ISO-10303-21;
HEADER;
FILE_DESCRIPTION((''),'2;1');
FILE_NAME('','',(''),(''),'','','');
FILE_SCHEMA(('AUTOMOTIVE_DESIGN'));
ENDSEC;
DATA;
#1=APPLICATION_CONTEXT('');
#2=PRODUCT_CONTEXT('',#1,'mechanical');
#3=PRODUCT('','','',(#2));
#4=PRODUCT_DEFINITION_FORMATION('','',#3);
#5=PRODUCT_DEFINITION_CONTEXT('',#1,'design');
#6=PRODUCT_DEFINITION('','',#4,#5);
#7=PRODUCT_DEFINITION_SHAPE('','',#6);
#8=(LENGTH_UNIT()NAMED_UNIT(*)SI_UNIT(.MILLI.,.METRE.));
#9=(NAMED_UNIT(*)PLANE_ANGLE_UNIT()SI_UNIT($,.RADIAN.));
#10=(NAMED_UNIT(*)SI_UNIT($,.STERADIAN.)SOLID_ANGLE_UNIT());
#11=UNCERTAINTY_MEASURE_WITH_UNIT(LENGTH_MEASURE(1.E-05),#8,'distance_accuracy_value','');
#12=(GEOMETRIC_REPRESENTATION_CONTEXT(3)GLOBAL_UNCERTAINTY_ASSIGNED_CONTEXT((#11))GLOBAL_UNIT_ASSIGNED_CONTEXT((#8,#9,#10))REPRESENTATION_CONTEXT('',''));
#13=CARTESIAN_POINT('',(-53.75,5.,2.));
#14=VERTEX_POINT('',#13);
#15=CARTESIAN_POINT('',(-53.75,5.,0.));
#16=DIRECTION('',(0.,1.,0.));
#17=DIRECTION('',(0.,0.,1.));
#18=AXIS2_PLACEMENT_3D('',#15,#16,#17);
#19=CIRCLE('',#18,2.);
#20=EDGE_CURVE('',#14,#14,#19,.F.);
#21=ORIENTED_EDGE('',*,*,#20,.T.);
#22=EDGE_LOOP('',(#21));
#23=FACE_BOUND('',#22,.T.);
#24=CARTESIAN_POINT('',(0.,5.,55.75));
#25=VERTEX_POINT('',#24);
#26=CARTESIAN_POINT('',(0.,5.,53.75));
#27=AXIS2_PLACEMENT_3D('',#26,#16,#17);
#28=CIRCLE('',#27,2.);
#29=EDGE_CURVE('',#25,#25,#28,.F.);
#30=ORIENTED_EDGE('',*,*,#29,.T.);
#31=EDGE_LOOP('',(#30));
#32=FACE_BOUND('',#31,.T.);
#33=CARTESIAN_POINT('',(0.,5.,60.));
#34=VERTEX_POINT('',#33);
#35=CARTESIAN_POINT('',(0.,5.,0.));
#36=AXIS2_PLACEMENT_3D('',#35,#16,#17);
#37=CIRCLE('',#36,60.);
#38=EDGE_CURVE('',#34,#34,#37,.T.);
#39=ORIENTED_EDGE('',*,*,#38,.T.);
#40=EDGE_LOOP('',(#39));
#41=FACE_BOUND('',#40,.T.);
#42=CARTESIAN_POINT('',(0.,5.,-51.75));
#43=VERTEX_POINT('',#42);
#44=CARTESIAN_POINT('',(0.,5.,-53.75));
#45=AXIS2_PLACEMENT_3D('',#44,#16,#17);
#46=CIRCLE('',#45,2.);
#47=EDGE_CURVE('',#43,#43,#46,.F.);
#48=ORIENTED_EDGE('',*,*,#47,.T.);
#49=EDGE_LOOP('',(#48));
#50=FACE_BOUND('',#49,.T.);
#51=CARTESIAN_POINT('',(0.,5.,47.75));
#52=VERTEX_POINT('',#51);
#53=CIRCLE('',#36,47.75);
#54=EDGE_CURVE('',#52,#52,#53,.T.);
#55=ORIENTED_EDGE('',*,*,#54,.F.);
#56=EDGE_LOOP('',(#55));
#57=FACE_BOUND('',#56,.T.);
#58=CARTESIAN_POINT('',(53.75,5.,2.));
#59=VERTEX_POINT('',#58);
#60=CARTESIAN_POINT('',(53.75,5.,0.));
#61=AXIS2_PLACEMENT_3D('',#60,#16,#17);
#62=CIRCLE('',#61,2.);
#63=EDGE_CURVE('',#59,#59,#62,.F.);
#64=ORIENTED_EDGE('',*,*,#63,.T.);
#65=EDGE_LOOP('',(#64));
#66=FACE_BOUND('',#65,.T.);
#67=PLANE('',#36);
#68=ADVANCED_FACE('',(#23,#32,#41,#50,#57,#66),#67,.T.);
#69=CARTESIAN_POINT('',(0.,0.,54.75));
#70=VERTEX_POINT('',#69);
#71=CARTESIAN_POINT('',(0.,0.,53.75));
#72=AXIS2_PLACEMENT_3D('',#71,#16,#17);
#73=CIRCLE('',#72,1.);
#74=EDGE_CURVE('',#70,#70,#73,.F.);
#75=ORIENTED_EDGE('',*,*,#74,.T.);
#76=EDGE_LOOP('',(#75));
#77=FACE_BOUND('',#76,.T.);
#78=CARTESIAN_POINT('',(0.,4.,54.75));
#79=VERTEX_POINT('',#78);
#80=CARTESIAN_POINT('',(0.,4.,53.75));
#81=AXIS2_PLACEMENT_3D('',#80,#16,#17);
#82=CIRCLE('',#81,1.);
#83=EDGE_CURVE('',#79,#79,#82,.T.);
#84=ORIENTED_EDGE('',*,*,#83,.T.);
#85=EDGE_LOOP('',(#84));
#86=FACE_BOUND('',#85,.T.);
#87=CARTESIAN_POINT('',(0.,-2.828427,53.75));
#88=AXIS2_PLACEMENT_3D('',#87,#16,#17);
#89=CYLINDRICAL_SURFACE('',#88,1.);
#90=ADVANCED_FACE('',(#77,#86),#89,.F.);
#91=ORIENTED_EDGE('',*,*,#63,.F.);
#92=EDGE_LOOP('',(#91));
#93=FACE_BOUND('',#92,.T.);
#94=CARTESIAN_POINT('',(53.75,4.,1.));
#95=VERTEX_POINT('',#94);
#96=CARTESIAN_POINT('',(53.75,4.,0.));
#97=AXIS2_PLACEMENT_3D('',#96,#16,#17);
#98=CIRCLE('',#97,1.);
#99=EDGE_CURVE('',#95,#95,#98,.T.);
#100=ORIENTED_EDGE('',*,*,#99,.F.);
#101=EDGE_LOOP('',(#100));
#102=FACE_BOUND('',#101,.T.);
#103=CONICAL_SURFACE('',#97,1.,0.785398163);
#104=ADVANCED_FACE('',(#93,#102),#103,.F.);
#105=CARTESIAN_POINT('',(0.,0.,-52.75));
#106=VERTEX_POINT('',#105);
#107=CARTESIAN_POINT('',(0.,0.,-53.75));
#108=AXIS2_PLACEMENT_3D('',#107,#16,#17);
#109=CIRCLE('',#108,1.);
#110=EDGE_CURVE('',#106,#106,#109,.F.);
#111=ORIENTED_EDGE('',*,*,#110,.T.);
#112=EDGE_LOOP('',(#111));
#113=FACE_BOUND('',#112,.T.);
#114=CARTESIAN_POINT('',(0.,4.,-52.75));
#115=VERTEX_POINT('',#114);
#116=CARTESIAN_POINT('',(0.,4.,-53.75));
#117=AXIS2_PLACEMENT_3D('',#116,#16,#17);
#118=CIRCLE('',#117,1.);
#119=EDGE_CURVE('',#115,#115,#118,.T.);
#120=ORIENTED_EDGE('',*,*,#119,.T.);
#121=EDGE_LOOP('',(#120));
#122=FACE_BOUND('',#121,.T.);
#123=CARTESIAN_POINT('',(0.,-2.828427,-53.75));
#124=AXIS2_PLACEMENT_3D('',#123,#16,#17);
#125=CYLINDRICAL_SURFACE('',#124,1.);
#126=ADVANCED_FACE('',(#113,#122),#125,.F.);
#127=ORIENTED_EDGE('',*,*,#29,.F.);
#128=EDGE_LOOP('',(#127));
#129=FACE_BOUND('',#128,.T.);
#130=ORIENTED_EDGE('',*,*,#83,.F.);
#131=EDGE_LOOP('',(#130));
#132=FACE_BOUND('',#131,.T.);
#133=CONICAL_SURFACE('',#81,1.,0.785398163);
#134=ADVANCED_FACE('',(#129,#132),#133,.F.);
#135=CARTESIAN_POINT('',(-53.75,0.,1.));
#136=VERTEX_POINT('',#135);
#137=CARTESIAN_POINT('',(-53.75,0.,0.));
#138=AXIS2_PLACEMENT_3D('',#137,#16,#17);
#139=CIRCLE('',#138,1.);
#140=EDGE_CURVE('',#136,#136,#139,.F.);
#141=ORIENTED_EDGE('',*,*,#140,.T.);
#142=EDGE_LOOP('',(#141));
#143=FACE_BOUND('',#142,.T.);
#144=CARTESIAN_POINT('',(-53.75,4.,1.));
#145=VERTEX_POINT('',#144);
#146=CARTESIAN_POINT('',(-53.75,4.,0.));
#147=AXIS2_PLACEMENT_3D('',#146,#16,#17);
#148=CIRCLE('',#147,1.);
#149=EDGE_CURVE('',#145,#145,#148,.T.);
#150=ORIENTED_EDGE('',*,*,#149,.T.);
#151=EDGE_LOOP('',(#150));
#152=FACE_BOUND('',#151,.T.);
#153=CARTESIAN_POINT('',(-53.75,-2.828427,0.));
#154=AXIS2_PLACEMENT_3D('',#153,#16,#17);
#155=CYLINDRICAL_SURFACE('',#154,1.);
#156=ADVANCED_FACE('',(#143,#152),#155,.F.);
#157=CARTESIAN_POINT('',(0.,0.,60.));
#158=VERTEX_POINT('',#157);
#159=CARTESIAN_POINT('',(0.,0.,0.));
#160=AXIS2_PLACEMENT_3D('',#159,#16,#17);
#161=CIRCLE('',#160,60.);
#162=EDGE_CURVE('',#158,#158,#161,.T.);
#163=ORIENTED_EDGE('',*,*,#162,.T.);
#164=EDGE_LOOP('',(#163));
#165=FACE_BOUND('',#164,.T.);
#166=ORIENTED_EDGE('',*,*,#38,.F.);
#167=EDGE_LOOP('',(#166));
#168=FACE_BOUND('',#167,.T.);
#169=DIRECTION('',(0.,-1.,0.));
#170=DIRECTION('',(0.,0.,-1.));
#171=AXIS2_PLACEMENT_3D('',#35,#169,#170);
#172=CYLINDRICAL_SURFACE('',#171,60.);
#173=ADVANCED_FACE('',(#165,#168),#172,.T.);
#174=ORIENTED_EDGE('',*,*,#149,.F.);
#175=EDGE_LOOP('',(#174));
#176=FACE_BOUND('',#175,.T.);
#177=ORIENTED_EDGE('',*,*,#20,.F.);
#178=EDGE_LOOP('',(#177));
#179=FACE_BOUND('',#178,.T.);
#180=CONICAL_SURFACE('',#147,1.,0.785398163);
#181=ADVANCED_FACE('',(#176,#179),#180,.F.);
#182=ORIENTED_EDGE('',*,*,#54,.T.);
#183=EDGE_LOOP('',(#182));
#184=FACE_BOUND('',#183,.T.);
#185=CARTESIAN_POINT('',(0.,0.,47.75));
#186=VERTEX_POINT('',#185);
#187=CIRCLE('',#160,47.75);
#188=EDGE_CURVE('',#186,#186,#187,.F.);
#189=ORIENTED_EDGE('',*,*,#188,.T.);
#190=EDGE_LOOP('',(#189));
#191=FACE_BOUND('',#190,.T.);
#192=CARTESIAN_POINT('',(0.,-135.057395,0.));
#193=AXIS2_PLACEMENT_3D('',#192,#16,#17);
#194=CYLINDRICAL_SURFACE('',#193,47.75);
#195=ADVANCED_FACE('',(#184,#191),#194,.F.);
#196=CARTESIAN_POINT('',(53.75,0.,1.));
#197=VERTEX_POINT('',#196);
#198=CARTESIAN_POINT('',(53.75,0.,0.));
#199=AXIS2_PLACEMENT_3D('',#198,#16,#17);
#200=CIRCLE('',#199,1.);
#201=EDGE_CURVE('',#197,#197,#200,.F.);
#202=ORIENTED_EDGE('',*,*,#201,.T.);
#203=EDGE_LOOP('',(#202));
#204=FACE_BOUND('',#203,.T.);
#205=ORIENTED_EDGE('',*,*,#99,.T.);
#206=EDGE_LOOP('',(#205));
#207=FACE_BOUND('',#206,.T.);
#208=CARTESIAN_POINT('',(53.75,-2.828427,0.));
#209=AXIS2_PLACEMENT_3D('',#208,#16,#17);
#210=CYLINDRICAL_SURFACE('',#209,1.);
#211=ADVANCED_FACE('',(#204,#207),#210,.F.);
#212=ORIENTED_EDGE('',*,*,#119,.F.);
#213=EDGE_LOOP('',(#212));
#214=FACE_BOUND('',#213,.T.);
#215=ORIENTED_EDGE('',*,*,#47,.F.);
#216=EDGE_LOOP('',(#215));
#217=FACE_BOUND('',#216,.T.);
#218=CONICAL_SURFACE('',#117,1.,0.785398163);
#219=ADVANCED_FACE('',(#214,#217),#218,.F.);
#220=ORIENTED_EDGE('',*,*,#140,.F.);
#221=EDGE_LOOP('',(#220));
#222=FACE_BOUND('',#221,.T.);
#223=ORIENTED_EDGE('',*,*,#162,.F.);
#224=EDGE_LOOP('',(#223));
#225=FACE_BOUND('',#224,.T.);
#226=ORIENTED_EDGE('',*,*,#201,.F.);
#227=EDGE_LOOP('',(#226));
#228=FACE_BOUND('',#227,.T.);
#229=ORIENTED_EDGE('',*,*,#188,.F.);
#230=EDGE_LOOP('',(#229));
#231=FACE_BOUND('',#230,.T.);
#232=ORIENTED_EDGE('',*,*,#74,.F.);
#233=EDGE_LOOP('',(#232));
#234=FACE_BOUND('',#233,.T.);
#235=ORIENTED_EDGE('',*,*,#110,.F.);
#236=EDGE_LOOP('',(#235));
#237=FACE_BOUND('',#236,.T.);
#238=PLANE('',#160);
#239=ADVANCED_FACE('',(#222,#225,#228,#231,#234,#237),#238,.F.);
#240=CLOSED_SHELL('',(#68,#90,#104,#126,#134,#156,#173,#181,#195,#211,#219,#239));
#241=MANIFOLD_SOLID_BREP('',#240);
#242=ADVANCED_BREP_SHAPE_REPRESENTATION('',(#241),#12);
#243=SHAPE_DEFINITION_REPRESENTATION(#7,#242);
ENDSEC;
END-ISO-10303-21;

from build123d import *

# Parameters (mm, degrees)
SKETCH1_R                    = 60
BOSS_EXTRUDE1_DEPTH          = 5
SKETCH2_R                    = 1
CUT_EXTRUDE1_DEPTH           = 5
CHAMFER1_SIZE                = 1
CIRPATTERN1_COUNT            = 4
CHAMFER1_OF_CIRPATTERN1_SIZE = 1
SKETCH3_R                    = 47.75
CUT_EXTRUDE2_DEPTH           = 5


with BuildPart() as part:
    # Sketch1 → Boss-Extrude1 (new body)
    with BuildSketch(Plane(origin=(0, 0, 0), x_dir=(1, 0, 0), z_dir=(0, 1, 0))):
        with Locations(Location((0, 0, 0), (0, 0, 270))):
            Circle(SKETCH1_R)
    extrude(amount=BOSS_EXTRUDE1_DEPTH)

    # Sketch2 → Cut-Extrude1 (cut)
    with BuildSketch(Plane(origin=(0, 5, 0), x_dir=(1, 0, 0), z_dir=(0, 1, 0))):
        with Locations(Location((0, 53.75, 0), (0, 0, 270))):
            Circle(SKETCH2_R)
    cut_extrude1 = extrude(amount=-CUT_EXTRUDE1_DEPTH, mode=Mode.SUBTRACT)

    # Chamfer1
    chamfer1_edges = [part.edges().sort_by_distance(p)[0] for p in [
        (0, 5, -54.75),
    ]]
    chamfer(chamfer1_edges, length=CHAMFER1_SIZE)

    # CirPattern1: Cut-Extrude1 ×4 about axis
    cirpattern1_axis = Axis((0, 0, 0), (0, 1, 0))
    for i in range(1, CIRPATTERN1_COUNT):
        add(cut_extrude1.rotate(cirpattern1_axis, i * 360 / CIRPATTERN1_COUNT), mode=Mode.SUBTRACT)

    # Chamfer1 of CirPattern1
    chamfer1_of_cirpattern1_edges = [part.edges().sort_by_distance(p)[0] for p in [
        (-54.75, 5, 0),
        (0, 5, 54.75),
        (54.75, 5, 0),
    ]]
    chamfer(chamfer1_of_cirpattern1_edges, length=CHAMFER1_OF_CIRPATTERN1_SIZE)

    # Sketch3 → Cut-Extrude2 (cut)
    with BuildSketch(Plane(origin=(0, 5, 0), x_dir=(1, 0, 0), z_dir=(0, 1, 0))):
        with Locations(Location((0, 0, 0), (0, 0, 270))):
            Circle(SKETCH3_R)
    extrude(amount=-CUT_EXTRUDE2_DEPTH, mode=Mode.SUBTRACT)


solid = part.part
